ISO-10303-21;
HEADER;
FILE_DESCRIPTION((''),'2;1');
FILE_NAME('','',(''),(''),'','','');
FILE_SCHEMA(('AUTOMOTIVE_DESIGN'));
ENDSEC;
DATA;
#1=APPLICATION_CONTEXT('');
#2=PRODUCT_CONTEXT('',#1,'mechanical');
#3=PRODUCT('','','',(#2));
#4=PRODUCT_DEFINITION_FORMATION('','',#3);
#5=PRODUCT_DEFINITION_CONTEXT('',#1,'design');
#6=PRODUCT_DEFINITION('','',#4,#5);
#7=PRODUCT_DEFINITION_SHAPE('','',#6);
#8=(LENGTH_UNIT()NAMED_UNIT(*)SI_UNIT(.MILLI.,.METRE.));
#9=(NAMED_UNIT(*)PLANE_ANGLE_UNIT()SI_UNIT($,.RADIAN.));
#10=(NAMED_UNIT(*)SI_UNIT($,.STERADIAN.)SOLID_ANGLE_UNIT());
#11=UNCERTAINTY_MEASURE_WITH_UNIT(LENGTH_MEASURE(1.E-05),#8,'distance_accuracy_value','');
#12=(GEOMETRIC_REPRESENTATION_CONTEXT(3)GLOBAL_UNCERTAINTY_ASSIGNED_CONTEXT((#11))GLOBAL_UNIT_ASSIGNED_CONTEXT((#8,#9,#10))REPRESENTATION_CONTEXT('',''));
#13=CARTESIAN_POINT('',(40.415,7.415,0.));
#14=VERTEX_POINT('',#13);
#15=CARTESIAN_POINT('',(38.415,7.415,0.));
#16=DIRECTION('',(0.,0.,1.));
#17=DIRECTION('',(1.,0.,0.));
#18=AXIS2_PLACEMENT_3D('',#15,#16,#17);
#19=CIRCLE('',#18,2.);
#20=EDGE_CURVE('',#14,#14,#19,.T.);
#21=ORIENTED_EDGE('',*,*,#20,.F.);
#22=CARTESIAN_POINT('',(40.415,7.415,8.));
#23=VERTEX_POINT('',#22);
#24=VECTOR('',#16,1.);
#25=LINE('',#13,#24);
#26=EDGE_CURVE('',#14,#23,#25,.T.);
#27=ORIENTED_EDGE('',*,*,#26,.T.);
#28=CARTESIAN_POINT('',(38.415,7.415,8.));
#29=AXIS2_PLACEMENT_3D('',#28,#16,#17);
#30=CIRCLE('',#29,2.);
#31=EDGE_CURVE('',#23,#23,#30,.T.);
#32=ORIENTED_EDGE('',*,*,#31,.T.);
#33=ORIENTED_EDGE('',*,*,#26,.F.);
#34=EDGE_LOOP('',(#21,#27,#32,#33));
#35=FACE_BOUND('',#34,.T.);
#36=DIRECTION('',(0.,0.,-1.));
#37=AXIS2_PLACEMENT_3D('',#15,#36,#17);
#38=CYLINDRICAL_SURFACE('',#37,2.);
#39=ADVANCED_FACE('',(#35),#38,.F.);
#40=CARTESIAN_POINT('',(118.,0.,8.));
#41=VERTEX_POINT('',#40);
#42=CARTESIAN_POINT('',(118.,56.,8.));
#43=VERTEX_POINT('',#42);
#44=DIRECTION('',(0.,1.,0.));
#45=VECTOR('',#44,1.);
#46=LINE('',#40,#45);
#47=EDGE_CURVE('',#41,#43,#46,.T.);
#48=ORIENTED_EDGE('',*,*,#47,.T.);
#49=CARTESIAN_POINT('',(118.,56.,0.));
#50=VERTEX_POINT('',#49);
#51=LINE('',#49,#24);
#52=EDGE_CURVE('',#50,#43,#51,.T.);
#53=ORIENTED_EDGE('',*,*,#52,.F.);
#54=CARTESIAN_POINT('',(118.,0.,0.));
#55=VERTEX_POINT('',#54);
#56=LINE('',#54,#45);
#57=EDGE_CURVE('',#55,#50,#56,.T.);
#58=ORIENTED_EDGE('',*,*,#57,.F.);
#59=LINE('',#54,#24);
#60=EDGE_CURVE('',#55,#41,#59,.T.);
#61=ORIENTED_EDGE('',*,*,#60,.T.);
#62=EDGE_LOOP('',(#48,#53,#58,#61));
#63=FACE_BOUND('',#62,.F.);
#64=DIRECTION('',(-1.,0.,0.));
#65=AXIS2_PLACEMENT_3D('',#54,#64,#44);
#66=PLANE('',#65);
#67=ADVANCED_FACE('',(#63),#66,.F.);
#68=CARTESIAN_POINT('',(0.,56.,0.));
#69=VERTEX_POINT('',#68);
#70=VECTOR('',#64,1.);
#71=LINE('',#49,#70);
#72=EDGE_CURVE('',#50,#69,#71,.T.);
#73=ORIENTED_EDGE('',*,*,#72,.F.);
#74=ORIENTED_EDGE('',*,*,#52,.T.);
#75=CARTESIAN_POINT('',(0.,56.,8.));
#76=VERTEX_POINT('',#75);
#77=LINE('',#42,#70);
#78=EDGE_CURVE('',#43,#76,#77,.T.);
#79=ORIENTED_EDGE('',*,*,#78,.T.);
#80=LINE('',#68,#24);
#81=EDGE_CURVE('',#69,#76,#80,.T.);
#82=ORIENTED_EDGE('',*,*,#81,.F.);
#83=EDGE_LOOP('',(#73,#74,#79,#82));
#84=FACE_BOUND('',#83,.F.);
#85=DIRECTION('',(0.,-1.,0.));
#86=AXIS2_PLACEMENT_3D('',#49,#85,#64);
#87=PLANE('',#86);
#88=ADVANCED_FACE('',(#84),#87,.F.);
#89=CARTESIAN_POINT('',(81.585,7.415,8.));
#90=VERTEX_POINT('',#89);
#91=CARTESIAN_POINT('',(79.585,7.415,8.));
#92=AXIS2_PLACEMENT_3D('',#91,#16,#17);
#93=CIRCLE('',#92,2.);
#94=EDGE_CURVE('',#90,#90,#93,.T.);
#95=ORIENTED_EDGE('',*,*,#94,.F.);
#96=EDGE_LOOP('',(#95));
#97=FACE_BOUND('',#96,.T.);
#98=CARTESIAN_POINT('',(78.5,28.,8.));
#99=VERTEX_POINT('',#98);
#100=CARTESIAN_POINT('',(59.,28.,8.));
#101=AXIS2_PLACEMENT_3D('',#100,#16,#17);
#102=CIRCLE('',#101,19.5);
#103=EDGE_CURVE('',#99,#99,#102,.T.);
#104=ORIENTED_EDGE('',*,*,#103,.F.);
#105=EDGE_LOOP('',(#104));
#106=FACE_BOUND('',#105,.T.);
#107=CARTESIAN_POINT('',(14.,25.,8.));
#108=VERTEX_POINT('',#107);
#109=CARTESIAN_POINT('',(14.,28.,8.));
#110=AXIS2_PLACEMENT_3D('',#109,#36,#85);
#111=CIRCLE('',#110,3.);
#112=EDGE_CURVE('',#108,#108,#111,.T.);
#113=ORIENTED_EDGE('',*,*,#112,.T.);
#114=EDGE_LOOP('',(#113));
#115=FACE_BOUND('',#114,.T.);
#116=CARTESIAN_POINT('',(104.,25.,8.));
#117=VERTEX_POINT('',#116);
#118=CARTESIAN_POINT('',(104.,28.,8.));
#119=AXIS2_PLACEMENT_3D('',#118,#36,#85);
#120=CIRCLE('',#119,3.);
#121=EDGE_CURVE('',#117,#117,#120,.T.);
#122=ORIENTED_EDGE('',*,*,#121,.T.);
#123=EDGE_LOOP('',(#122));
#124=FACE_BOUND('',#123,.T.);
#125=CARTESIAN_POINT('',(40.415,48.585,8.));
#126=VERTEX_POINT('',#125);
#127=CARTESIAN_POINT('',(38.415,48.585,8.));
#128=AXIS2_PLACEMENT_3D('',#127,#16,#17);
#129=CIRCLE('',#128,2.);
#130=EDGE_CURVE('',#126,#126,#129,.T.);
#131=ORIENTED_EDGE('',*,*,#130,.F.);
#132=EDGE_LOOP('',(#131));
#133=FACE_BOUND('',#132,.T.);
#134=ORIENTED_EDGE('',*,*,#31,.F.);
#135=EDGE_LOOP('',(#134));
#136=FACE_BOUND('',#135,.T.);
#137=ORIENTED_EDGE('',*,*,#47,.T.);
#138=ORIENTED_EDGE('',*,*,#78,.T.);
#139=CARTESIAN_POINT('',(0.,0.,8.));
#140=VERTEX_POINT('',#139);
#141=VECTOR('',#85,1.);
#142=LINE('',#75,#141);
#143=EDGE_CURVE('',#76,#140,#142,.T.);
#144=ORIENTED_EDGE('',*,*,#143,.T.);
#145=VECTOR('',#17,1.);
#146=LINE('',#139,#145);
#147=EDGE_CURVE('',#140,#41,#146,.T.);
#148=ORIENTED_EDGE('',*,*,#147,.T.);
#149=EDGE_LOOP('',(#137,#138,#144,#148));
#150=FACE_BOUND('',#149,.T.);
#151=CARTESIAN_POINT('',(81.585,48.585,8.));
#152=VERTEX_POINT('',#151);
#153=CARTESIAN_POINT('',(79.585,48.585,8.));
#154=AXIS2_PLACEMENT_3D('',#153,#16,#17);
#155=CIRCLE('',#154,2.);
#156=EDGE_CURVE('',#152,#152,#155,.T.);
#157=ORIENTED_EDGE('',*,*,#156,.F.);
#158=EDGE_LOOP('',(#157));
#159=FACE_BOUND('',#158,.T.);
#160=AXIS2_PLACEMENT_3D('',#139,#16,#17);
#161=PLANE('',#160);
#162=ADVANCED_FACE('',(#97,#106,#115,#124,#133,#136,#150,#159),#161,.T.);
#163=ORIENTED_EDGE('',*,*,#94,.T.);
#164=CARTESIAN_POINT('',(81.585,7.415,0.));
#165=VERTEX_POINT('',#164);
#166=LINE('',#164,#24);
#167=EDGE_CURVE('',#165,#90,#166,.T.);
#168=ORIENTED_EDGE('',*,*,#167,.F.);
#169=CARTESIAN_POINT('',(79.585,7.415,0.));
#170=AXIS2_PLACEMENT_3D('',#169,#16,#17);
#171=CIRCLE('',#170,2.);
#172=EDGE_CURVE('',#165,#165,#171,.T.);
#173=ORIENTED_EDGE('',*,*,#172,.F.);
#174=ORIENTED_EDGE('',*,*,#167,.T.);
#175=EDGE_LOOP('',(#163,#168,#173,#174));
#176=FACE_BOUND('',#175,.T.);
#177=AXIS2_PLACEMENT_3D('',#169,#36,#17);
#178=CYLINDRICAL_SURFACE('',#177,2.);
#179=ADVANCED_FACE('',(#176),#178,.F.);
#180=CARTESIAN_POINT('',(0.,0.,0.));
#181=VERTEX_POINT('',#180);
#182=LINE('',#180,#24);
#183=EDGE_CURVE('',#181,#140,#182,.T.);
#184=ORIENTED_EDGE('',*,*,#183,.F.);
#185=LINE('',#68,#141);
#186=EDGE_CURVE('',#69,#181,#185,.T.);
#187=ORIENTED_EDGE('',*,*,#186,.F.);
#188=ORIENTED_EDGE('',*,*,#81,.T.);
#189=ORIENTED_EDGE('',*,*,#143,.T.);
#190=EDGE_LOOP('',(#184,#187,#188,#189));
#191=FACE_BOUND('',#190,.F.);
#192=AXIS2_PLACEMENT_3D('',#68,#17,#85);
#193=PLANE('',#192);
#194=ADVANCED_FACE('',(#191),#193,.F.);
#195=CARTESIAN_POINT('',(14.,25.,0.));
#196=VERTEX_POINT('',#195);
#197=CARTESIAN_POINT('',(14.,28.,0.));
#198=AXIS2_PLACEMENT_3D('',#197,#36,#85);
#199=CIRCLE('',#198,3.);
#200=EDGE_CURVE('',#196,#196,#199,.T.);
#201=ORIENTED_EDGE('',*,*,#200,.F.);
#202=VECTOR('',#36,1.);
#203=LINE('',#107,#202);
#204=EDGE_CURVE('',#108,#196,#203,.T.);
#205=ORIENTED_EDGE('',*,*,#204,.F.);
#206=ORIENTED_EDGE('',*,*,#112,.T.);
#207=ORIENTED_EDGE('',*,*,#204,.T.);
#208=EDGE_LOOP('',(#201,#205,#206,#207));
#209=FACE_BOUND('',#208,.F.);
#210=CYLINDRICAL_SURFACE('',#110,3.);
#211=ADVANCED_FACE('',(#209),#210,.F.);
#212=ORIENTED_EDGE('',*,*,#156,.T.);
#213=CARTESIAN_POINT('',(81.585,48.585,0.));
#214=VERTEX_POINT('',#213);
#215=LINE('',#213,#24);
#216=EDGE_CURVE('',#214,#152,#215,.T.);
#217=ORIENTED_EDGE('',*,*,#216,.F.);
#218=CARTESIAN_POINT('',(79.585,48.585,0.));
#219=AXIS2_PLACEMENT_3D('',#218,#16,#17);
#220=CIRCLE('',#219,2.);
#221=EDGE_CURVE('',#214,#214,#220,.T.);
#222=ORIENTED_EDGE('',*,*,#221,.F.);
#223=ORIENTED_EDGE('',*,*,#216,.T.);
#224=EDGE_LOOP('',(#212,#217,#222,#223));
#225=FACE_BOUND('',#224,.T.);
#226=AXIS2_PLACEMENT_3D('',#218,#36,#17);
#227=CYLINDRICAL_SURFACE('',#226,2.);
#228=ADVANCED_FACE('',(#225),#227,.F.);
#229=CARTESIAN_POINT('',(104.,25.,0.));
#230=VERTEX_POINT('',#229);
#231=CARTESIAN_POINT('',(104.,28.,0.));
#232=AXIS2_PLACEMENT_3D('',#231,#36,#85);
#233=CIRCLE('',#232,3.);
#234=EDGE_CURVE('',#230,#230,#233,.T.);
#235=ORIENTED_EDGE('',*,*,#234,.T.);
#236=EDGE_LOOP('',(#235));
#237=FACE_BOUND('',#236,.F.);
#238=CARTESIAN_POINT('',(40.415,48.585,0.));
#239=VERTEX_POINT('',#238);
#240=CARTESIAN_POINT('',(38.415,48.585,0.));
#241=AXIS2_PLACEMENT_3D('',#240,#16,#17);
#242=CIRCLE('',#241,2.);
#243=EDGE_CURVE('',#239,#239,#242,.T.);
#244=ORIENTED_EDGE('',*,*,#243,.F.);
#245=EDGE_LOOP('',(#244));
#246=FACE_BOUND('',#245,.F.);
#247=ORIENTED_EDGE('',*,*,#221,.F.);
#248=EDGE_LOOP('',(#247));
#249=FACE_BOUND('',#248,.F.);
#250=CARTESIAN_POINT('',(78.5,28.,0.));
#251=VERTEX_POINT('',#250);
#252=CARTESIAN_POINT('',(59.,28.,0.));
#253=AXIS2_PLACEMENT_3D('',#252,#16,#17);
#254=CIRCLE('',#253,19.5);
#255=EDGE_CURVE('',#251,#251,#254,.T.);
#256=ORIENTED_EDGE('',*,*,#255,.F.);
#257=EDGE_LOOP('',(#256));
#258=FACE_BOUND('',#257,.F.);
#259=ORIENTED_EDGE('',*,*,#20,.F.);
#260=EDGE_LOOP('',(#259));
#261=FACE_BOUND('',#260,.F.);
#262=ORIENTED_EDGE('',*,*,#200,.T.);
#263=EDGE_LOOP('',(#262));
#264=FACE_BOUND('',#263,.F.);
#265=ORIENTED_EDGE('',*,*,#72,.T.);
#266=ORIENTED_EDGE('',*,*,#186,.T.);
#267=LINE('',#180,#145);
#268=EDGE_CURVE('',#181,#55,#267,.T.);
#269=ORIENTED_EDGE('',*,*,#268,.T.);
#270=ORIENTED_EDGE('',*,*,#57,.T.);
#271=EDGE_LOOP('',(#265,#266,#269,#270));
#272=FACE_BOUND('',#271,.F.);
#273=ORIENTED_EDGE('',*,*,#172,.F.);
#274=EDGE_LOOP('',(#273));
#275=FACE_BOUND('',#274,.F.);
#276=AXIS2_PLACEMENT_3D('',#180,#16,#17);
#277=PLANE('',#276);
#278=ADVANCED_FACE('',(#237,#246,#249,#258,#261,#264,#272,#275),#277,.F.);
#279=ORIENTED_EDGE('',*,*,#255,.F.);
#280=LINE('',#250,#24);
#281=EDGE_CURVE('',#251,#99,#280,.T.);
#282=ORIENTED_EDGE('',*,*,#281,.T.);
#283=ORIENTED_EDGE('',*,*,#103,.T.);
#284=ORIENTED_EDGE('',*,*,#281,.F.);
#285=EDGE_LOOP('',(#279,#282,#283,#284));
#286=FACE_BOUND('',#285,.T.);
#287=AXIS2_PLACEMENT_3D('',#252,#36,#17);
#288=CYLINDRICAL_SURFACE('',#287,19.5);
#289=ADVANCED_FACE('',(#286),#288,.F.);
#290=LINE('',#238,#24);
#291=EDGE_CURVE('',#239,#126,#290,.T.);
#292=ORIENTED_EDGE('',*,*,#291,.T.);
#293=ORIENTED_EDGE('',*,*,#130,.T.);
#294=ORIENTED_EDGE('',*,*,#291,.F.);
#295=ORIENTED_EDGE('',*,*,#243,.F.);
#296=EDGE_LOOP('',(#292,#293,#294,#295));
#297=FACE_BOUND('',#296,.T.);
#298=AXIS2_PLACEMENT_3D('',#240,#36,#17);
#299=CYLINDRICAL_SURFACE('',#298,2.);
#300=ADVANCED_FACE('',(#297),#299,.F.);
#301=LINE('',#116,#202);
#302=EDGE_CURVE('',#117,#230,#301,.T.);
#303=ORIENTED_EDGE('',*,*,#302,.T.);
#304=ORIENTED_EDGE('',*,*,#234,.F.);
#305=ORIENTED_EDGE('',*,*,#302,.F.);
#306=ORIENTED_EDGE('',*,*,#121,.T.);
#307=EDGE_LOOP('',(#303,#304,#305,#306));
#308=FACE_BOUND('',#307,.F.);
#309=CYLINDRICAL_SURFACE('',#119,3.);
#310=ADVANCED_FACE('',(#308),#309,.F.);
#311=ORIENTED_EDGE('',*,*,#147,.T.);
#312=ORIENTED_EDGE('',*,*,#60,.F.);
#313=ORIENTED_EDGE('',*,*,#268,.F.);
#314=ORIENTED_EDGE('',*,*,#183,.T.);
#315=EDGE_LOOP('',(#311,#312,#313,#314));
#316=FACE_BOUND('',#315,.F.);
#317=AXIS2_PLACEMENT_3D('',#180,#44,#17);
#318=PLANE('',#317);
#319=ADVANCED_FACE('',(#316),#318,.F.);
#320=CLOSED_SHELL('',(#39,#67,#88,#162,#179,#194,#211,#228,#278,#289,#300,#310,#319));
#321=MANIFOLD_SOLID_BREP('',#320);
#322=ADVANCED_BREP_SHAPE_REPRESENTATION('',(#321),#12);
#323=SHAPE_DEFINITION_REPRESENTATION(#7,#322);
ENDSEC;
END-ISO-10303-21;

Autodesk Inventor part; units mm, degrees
ref_plane "YZ Plane" through (0, 0, 0) normal (1, 0, 0) x (0, 1, 0)
ref_plane "XZ Plane" through (0, 0, 0) normal (0, 1, 0) x (-1, 0, 0)
ref_plane "XY Plane" through (0, 0, 0) normal (0, 0, 1) x (1, 0, 0)
sketch "Sketch1" plane through (0, 0, 0) normal (0, 0, 1) x (1, 0, 0)
  line L0 (0, 0) -> (118, 0)
  line L1 (118, 0) -> (118, 56)
  line L2 (118, 56) -> (0, 56)
  line L3 (0, 56) -> (0, 0)
  circle A0 centre (59, 28) radius 19.5
  circle A1 centre (38.415, 48.585) radius 2
  circle A2 centre (38.415, 7.415) radius 2
  circle A3 centre (79.585, 7.415) radius 2
  circle A4 centre (79.585, 48.585) radius 2
  dimension "width" = 118
  dimension "height" = 56
  dimension "d4" = 39
  dimension "d5" = 28
  dimension "d6" = 59
  dimension "d7" = 4
  dimension "d8" = 38.415
  dimension "d11" = 360
  dimension "d13" = 7.415
extrude "Extrusion2" add sketch "Sketch1" along normal blind 8
hole "Hole1" at (104, 28, 8) direction (0, 0, -1) diameter 6 end through all
hole "Hole2" at (14, 28, 8) direction (0, 0, -1) diameter 6 end through all
equation "\"d5\" = 0.5 * height"
equation "\"d6\" = 0.5 * width"
equation "\"d17\" = 0.5 * height"
equation "\"d26\" = 0.5 * height"
properties part number "support motor2"
